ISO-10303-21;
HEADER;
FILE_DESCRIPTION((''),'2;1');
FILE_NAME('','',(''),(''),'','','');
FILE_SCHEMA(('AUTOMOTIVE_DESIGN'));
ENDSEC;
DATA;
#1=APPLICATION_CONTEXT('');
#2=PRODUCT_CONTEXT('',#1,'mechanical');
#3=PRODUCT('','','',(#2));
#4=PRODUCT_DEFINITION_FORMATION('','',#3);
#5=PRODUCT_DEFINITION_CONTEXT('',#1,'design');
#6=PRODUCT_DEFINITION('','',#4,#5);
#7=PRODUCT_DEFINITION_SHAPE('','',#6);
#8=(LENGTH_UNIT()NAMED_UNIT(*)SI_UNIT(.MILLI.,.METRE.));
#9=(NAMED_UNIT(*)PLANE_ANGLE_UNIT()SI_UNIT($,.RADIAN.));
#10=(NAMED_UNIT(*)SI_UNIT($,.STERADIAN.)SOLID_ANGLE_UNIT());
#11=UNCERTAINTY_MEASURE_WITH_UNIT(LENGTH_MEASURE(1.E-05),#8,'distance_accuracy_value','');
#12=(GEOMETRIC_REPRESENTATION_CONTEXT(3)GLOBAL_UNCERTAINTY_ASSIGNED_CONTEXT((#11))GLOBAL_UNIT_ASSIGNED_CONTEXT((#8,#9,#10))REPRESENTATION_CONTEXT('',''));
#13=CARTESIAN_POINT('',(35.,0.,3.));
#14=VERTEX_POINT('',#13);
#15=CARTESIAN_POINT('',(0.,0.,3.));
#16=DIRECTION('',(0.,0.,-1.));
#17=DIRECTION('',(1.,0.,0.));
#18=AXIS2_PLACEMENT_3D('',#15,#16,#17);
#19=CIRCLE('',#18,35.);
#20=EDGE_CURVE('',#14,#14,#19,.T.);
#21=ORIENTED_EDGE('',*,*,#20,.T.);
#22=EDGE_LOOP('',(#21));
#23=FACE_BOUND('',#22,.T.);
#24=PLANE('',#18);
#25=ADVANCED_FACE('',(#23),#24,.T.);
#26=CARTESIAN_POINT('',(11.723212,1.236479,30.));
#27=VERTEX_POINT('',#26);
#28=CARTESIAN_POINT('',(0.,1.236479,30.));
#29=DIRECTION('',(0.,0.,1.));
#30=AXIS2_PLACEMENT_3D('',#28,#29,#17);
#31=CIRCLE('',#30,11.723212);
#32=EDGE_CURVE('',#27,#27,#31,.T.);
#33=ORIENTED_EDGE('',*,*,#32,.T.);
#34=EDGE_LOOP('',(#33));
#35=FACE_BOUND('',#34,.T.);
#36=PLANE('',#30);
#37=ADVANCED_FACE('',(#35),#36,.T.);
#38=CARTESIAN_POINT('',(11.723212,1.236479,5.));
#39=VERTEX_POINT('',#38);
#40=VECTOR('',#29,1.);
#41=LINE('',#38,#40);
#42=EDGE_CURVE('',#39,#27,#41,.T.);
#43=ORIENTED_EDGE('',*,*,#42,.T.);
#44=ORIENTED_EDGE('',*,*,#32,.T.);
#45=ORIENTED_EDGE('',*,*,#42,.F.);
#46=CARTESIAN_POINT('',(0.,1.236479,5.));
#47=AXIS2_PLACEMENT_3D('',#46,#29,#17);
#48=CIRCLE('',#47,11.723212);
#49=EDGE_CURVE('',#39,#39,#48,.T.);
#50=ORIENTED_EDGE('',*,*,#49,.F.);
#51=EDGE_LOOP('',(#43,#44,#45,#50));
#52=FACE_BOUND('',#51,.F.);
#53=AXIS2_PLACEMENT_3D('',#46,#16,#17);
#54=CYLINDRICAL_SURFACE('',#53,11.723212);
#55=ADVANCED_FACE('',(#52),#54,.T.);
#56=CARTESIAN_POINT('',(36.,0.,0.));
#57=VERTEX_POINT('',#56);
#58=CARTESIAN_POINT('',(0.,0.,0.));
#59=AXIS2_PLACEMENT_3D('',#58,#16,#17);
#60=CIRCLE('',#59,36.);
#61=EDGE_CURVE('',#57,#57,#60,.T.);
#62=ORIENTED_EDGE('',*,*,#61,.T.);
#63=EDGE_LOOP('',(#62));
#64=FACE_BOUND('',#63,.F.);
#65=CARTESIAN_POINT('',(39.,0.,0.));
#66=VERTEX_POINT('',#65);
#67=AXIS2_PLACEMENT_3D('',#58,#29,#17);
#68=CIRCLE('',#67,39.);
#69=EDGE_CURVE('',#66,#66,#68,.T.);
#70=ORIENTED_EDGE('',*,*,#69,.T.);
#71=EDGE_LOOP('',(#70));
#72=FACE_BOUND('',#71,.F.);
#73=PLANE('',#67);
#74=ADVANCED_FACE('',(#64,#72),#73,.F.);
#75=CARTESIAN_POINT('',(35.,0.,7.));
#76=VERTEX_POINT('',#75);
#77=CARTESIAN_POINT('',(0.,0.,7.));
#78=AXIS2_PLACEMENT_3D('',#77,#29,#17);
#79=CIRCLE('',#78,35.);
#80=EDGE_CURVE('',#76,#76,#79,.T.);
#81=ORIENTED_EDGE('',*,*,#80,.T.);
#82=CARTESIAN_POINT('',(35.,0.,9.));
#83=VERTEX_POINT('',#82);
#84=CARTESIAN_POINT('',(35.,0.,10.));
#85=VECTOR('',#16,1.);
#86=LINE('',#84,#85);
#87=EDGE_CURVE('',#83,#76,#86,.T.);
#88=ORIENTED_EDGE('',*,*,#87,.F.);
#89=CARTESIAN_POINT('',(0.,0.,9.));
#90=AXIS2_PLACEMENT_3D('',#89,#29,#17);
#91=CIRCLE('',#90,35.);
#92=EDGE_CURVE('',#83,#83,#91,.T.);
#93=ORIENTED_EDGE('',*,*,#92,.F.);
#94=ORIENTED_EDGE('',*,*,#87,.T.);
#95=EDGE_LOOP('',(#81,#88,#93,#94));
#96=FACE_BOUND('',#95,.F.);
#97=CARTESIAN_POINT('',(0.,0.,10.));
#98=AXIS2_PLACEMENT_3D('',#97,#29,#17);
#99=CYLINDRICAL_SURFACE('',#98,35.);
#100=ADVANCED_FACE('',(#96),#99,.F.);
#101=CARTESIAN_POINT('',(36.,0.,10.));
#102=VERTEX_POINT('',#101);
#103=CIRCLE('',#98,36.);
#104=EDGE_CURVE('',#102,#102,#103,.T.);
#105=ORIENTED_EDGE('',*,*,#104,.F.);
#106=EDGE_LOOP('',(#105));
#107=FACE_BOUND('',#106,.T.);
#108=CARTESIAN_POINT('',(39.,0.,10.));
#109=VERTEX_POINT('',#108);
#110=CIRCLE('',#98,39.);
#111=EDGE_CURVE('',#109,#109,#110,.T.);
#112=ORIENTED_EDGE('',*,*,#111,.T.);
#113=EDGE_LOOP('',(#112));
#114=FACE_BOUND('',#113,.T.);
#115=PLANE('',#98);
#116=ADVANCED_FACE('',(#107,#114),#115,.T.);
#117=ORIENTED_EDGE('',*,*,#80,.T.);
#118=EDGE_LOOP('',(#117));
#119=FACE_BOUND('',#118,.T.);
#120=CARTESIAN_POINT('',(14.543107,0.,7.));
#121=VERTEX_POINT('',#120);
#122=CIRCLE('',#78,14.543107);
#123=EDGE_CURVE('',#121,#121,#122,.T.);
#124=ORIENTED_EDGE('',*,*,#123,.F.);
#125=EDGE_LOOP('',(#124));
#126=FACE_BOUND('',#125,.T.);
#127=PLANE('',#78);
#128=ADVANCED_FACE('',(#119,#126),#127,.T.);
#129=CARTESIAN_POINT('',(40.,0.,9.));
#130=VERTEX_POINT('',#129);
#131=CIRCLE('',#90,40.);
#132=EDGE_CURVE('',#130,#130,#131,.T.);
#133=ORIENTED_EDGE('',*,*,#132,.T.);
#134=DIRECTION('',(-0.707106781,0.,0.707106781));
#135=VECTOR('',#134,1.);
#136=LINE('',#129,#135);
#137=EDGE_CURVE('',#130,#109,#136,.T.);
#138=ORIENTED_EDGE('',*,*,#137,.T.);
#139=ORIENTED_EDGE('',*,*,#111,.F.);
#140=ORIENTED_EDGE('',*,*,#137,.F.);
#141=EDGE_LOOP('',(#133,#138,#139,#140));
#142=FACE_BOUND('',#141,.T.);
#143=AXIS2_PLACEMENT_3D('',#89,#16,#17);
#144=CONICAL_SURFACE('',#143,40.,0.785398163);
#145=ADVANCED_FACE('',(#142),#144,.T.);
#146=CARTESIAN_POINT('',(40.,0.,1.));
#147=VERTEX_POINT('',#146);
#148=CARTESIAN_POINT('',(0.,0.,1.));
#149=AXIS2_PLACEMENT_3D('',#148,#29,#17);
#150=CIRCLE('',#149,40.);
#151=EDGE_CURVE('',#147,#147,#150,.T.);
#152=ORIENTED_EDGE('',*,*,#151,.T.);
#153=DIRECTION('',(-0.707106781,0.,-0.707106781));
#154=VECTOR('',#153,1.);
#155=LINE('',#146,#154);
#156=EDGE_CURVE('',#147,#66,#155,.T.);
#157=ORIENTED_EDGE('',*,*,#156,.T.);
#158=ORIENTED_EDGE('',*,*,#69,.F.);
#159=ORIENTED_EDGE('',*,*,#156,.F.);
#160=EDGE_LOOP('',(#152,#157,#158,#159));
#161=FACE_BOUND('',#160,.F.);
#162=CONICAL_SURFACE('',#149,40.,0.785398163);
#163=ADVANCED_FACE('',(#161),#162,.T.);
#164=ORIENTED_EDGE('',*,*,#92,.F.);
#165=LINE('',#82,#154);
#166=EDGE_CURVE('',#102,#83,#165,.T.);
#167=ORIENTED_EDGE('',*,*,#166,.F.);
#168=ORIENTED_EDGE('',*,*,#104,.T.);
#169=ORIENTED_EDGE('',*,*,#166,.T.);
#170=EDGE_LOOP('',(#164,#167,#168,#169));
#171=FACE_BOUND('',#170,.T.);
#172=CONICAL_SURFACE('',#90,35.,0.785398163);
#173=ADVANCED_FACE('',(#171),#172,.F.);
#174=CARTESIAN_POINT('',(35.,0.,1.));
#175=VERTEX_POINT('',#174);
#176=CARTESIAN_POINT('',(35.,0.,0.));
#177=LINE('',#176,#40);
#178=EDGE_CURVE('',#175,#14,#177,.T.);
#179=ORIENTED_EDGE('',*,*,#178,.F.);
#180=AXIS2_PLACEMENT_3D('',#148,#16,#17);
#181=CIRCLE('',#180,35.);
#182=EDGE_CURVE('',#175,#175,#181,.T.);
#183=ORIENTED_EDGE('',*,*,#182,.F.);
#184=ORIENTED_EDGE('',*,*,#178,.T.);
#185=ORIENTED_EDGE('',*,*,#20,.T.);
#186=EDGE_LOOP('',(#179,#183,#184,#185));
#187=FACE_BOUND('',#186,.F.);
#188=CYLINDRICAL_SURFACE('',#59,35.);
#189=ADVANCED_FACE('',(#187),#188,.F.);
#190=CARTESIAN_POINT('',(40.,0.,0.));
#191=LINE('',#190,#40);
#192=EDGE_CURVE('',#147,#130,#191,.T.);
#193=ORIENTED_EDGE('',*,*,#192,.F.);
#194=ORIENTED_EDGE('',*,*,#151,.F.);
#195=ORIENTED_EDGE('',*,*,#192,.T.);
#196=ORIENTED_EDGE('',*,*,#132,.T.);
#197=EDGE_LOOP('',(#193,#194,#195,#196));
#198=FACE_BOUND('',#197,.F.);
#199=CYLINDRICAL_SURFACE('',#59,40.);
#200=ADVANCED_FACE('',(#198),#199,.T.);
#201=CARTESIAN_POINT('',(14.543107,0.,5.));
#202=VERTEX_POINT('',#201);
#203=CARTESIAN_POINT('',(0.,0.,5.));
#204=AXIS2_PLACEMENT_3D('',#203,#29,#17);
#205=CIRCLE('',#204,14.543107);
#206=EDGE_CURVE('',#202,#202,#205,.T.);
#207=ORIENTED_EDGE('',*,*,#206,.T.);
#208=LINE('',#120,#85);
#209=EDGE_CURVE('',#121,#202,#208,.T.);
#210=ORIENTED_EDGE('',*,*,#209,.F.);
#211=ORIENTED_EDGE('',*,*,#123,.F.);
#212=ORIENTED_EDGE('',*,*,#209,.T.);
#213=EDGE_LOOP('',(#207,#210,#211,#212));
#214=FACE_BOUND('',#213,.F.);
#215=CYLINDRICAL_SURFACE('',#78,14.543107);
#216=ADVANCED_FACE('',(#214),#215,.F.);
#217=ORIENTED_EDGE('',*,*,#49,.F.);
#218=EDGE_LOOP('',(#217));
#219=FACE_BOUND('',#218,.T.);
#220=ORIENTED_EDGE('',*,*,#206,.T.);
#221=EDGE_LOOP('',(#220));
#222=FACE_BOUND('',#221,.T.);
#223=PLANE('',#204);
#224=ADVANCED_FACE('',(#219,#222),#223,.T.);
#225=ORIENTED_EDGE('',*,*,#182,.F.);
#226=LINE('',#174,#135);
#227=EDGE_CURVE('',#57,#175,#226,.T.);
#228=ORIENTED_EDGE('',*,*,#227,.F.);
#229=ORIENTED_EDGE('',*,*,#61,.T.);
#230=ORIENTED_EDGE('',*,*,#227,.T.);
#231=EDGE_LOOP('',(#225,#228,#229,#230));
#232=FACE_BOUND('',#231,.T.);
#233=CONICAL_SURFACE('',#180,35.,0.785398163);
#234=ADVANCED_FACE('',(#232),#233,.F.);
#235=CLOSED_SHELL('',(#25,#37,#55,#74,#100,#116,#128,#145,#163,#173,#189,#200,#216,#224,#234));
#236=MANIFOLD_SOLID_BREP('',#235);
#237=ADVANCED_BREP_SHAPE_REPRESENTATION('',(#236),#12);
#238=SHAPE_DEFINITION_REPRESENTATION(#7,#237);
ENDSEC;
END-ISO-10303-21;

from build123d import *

# Parameters (mm, degrees)
F0_R      = 40
F1_DEPTH  = 10
F2_R      = 35
F3_DEPTH  = 3
F4_R      = 35
F5_DEPTH  = 3
F6_SIZE   = 1
F7_R      = 14.543107
F8_DEPTH  = 2
F9_R      = 11.723212
F10_DEPTH = 25


with BuildPart() as f1:
    # F0 (on Top) → F1 (new body)
    with BuildSketch(Plane.XY):
        Circle(F0_R)
    extrude(amount=F1_DEPTH)

    # F2 (on face) → F3 (cut)
    with BuildSketch(Plane.XY.offset(10)):
        Circle(F2_R)
    extrude(amount=-F3_DEPTH, mode=Mode.SUBTRACT)

    # F4 (on face) → F5 (cut)
    with BuildSketch(Plane(origin=(0, 0, 0), x_dir=(1, 0, 0), z_dir=(0, 0, -1))):
        Circle(F4_R)
    extrude(amount=-F5_DEPTH, mode=Mode.SUBTRACT)

    # F6
    f6_edges = [f1.edges().sort_by_distance(p)[0] for p in [
        (-35, 0, 10),
        (-40, 0, 10),
        (-40, 0, 0),
        (-35, 0, 0),
    ]]
    chamfer(f6_edges, length=F6_SIZE)

    # F7 (on face) → F8 (cut)
    with BuildSketch(Plane.XY.offset(7)):
        Circle(F7_R)
    extrude(amount=-F8_DEPTH, mode=Mode.SUBTRACT)

    # F9 (on face) → F10 (join)
    with BuildSketch(Plane.XY.offset(5)):
        with Locations((0, 1.236479)):
            Circle(F9_R)
    extrude(amount=F10_DEPTH)


solid = f1.part
